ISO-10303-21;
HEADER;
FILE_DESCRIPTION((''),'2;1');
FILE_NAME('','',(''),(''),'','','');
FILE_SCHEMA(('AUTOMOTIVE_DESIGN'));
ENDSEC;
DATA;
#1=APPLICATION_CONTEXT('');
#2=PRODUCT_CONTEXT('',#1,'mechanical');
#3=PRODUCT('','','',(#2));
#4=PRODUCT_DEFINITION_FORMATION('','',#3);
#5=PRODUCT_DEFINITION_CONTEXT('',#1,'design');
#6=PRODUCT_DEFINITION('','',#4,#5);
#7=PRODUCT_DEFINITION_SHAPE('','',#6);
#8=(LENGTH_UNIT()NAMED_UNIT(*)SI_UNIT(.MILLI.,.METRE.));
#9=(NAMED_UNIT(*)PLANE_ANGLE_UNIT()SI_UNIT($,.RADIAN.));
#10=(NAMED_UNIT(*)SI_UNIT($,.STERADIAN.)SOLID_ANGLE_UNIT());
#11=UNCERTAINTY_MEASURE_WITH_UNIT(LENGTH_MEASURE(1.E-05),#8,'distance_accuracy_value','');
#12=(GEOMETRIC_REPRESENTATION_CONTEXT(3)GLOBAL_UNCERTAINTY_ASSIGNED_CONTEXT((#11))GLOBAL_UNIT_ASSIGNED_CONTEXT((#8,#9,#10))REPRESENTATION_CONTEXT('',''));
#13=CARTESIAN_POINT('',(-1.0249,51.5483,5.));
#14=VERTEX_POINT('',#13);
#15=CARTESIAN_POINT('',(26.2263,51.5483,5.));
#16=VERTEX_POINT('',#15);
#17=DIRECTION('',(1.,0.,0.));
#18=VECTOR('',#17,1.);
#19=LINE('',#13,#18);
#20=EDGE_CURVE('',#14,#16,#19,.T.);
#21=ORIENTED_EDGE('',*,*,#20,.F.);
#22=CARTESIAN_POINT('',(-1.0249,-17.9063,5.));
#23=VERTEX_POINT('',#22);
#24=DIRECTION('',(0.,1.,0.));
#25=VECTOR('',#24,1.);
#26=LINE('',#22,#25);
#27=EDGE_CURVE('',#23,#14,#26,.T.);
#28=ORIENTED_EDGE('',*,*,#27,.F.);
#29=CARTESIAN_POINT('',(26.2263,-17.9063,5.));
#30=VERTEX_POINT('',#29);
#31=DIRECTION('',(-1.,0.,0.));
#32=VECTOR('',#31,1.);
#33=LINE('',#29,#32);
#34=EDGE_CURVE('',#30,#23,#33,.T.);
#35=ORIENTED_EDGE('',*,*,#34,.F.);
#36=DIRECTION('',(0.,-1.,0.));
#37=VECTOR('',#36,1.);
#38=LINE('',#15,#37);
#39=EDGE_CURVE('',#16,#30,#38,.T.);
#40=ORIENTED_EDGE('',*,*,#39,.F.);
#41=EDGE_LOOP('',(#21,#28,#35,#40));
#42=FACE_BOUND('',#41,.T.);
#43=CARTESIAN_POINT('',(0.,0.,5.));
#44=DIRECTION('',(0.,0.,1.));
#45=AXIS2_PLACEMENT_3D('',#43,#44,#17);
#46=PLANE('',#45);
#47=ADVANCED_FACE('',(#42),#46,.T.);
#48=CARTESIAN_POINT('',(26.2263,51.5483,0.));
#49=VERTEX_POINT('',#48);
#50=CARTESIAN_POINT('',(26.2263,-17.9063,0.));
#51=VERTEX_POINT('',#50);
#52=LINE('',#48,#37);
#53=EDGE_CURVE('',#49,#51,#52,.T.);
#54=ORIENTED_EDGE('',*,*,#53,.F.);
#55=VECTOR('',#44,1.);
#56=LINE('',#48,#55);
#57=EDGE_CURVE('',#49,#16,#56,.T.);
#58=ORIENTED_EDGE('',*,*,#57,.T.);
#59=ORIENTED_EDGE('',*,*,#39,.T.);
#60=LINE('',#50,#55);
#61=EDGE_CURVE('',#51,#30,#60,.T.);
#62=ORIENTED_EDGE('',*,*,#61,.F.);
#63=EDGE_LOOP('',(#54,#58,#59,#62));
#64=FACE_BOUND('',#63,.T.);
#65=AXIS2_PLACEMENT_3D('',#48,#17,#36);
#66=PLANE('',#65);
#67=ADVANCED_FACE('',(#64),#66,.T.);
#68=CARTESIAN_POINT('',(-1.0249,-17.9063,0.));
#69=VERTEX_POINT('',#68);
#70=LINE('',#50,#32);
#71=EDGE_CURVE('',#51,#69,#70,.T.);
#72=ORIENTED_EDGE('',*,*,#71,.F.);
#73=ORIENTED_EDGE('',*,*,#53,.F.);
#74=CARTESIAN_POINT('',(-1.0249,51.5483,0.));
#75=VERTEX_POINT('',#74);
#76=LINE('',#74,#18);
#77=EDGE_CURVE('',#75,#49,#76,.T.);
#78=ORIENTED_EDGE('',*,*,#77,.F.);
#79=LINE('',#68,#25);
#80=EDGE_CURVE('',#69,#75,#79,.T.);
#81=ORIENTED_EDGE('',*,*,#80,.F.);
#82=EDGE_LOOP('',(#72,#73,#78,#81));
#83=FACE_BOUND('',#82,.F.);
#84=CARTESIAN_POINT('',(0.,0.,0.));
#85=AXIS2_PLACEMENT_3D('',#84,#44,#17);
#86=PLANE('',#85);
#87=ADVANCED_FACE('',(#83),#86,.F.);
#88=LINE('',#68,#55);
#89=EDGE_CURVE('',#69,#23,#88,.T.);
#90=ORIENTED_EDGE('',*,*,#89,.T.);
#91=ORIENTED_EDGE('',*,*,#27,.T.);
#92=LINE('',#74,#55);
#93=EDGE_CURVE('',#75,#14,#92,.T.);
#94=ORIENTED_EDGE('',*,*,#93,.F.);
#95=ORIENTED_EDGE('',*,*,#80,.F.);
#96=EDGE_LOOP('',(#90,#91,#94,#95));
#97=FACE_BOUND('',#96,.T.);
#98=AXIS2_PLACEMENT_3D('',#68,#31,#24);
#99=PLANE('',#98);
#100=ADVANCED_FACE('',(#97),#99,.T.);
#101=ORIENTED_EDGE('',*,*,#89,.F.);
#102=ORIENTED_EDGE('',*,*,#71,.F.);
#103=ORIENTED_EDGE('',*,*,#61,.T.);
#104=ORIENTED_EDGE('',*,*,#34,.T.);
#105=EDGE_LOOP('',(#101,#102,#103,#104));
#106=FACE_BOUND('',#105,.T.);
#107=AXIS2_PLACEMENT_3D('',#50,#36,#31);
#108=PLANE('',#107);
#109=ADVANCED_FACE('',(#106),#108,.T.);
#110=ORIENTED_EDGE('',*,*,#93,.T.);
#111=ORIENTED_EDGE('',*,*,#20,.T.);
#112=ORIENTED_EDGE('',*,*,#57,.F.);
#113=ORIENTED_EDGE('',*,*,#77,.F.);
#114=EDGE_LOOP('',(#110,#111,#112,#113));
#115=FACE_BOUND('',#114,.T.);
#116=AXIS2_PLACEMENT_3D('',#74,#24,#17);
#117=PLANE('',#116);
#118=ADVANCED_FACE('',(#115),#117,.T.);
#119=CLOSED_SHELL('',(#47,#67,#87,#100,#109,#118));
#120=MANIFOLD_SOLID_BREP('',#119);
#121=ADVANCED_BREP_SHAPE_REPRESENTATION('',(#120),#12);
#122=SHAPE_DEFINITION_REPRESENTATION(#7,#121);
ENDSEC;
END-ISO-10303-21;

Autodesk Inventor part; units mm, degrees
ref_plane "YZ Plane" through (0, 0, 0) normal (1, 0, 0) x (0, 1, 0)
ref_plane "XZ Plane" through (0, 0, 0) normal (0, 1, 0) x (-1, 0, 0)
ref_plane "XY Plane" through (0, 0, 0) normal (0, 0, 1) x (1, 0, 0)
ref_plane "РабПлоскость1" through (0, 0, 0) normal (0, 0, 1) x (1, 0, 0)
sketch "Эскиз1" plane through (0, 0, 0) normal (0, 0, 1) x (1, 0, 0)
  line L0 (26.2263, -17.9063) -> (-1.0249, -17.9063)
  line L1 (-1.0249, -17.9063) -> (-1.0249, 51.5483)
  line L2 (-1.0249, 51.5483) -> (26.2263, 51.5483)
  line L3 (26.2263, 51.5483) -> (26.2263, -17.9063)
  line L4 (26.2263, -17.9063) -> (-1.0249, 51.5483) construction
  line L5 (-1.0249, -17.9063) -> (26.2263, 51.5483) construction
  point P0 (0, 0)
  point P1 (12.6007, 16.821)
extrude "Выдавливание1" add sketch "Эскиз1" along normal blind 5
properties part number "Рейка"
